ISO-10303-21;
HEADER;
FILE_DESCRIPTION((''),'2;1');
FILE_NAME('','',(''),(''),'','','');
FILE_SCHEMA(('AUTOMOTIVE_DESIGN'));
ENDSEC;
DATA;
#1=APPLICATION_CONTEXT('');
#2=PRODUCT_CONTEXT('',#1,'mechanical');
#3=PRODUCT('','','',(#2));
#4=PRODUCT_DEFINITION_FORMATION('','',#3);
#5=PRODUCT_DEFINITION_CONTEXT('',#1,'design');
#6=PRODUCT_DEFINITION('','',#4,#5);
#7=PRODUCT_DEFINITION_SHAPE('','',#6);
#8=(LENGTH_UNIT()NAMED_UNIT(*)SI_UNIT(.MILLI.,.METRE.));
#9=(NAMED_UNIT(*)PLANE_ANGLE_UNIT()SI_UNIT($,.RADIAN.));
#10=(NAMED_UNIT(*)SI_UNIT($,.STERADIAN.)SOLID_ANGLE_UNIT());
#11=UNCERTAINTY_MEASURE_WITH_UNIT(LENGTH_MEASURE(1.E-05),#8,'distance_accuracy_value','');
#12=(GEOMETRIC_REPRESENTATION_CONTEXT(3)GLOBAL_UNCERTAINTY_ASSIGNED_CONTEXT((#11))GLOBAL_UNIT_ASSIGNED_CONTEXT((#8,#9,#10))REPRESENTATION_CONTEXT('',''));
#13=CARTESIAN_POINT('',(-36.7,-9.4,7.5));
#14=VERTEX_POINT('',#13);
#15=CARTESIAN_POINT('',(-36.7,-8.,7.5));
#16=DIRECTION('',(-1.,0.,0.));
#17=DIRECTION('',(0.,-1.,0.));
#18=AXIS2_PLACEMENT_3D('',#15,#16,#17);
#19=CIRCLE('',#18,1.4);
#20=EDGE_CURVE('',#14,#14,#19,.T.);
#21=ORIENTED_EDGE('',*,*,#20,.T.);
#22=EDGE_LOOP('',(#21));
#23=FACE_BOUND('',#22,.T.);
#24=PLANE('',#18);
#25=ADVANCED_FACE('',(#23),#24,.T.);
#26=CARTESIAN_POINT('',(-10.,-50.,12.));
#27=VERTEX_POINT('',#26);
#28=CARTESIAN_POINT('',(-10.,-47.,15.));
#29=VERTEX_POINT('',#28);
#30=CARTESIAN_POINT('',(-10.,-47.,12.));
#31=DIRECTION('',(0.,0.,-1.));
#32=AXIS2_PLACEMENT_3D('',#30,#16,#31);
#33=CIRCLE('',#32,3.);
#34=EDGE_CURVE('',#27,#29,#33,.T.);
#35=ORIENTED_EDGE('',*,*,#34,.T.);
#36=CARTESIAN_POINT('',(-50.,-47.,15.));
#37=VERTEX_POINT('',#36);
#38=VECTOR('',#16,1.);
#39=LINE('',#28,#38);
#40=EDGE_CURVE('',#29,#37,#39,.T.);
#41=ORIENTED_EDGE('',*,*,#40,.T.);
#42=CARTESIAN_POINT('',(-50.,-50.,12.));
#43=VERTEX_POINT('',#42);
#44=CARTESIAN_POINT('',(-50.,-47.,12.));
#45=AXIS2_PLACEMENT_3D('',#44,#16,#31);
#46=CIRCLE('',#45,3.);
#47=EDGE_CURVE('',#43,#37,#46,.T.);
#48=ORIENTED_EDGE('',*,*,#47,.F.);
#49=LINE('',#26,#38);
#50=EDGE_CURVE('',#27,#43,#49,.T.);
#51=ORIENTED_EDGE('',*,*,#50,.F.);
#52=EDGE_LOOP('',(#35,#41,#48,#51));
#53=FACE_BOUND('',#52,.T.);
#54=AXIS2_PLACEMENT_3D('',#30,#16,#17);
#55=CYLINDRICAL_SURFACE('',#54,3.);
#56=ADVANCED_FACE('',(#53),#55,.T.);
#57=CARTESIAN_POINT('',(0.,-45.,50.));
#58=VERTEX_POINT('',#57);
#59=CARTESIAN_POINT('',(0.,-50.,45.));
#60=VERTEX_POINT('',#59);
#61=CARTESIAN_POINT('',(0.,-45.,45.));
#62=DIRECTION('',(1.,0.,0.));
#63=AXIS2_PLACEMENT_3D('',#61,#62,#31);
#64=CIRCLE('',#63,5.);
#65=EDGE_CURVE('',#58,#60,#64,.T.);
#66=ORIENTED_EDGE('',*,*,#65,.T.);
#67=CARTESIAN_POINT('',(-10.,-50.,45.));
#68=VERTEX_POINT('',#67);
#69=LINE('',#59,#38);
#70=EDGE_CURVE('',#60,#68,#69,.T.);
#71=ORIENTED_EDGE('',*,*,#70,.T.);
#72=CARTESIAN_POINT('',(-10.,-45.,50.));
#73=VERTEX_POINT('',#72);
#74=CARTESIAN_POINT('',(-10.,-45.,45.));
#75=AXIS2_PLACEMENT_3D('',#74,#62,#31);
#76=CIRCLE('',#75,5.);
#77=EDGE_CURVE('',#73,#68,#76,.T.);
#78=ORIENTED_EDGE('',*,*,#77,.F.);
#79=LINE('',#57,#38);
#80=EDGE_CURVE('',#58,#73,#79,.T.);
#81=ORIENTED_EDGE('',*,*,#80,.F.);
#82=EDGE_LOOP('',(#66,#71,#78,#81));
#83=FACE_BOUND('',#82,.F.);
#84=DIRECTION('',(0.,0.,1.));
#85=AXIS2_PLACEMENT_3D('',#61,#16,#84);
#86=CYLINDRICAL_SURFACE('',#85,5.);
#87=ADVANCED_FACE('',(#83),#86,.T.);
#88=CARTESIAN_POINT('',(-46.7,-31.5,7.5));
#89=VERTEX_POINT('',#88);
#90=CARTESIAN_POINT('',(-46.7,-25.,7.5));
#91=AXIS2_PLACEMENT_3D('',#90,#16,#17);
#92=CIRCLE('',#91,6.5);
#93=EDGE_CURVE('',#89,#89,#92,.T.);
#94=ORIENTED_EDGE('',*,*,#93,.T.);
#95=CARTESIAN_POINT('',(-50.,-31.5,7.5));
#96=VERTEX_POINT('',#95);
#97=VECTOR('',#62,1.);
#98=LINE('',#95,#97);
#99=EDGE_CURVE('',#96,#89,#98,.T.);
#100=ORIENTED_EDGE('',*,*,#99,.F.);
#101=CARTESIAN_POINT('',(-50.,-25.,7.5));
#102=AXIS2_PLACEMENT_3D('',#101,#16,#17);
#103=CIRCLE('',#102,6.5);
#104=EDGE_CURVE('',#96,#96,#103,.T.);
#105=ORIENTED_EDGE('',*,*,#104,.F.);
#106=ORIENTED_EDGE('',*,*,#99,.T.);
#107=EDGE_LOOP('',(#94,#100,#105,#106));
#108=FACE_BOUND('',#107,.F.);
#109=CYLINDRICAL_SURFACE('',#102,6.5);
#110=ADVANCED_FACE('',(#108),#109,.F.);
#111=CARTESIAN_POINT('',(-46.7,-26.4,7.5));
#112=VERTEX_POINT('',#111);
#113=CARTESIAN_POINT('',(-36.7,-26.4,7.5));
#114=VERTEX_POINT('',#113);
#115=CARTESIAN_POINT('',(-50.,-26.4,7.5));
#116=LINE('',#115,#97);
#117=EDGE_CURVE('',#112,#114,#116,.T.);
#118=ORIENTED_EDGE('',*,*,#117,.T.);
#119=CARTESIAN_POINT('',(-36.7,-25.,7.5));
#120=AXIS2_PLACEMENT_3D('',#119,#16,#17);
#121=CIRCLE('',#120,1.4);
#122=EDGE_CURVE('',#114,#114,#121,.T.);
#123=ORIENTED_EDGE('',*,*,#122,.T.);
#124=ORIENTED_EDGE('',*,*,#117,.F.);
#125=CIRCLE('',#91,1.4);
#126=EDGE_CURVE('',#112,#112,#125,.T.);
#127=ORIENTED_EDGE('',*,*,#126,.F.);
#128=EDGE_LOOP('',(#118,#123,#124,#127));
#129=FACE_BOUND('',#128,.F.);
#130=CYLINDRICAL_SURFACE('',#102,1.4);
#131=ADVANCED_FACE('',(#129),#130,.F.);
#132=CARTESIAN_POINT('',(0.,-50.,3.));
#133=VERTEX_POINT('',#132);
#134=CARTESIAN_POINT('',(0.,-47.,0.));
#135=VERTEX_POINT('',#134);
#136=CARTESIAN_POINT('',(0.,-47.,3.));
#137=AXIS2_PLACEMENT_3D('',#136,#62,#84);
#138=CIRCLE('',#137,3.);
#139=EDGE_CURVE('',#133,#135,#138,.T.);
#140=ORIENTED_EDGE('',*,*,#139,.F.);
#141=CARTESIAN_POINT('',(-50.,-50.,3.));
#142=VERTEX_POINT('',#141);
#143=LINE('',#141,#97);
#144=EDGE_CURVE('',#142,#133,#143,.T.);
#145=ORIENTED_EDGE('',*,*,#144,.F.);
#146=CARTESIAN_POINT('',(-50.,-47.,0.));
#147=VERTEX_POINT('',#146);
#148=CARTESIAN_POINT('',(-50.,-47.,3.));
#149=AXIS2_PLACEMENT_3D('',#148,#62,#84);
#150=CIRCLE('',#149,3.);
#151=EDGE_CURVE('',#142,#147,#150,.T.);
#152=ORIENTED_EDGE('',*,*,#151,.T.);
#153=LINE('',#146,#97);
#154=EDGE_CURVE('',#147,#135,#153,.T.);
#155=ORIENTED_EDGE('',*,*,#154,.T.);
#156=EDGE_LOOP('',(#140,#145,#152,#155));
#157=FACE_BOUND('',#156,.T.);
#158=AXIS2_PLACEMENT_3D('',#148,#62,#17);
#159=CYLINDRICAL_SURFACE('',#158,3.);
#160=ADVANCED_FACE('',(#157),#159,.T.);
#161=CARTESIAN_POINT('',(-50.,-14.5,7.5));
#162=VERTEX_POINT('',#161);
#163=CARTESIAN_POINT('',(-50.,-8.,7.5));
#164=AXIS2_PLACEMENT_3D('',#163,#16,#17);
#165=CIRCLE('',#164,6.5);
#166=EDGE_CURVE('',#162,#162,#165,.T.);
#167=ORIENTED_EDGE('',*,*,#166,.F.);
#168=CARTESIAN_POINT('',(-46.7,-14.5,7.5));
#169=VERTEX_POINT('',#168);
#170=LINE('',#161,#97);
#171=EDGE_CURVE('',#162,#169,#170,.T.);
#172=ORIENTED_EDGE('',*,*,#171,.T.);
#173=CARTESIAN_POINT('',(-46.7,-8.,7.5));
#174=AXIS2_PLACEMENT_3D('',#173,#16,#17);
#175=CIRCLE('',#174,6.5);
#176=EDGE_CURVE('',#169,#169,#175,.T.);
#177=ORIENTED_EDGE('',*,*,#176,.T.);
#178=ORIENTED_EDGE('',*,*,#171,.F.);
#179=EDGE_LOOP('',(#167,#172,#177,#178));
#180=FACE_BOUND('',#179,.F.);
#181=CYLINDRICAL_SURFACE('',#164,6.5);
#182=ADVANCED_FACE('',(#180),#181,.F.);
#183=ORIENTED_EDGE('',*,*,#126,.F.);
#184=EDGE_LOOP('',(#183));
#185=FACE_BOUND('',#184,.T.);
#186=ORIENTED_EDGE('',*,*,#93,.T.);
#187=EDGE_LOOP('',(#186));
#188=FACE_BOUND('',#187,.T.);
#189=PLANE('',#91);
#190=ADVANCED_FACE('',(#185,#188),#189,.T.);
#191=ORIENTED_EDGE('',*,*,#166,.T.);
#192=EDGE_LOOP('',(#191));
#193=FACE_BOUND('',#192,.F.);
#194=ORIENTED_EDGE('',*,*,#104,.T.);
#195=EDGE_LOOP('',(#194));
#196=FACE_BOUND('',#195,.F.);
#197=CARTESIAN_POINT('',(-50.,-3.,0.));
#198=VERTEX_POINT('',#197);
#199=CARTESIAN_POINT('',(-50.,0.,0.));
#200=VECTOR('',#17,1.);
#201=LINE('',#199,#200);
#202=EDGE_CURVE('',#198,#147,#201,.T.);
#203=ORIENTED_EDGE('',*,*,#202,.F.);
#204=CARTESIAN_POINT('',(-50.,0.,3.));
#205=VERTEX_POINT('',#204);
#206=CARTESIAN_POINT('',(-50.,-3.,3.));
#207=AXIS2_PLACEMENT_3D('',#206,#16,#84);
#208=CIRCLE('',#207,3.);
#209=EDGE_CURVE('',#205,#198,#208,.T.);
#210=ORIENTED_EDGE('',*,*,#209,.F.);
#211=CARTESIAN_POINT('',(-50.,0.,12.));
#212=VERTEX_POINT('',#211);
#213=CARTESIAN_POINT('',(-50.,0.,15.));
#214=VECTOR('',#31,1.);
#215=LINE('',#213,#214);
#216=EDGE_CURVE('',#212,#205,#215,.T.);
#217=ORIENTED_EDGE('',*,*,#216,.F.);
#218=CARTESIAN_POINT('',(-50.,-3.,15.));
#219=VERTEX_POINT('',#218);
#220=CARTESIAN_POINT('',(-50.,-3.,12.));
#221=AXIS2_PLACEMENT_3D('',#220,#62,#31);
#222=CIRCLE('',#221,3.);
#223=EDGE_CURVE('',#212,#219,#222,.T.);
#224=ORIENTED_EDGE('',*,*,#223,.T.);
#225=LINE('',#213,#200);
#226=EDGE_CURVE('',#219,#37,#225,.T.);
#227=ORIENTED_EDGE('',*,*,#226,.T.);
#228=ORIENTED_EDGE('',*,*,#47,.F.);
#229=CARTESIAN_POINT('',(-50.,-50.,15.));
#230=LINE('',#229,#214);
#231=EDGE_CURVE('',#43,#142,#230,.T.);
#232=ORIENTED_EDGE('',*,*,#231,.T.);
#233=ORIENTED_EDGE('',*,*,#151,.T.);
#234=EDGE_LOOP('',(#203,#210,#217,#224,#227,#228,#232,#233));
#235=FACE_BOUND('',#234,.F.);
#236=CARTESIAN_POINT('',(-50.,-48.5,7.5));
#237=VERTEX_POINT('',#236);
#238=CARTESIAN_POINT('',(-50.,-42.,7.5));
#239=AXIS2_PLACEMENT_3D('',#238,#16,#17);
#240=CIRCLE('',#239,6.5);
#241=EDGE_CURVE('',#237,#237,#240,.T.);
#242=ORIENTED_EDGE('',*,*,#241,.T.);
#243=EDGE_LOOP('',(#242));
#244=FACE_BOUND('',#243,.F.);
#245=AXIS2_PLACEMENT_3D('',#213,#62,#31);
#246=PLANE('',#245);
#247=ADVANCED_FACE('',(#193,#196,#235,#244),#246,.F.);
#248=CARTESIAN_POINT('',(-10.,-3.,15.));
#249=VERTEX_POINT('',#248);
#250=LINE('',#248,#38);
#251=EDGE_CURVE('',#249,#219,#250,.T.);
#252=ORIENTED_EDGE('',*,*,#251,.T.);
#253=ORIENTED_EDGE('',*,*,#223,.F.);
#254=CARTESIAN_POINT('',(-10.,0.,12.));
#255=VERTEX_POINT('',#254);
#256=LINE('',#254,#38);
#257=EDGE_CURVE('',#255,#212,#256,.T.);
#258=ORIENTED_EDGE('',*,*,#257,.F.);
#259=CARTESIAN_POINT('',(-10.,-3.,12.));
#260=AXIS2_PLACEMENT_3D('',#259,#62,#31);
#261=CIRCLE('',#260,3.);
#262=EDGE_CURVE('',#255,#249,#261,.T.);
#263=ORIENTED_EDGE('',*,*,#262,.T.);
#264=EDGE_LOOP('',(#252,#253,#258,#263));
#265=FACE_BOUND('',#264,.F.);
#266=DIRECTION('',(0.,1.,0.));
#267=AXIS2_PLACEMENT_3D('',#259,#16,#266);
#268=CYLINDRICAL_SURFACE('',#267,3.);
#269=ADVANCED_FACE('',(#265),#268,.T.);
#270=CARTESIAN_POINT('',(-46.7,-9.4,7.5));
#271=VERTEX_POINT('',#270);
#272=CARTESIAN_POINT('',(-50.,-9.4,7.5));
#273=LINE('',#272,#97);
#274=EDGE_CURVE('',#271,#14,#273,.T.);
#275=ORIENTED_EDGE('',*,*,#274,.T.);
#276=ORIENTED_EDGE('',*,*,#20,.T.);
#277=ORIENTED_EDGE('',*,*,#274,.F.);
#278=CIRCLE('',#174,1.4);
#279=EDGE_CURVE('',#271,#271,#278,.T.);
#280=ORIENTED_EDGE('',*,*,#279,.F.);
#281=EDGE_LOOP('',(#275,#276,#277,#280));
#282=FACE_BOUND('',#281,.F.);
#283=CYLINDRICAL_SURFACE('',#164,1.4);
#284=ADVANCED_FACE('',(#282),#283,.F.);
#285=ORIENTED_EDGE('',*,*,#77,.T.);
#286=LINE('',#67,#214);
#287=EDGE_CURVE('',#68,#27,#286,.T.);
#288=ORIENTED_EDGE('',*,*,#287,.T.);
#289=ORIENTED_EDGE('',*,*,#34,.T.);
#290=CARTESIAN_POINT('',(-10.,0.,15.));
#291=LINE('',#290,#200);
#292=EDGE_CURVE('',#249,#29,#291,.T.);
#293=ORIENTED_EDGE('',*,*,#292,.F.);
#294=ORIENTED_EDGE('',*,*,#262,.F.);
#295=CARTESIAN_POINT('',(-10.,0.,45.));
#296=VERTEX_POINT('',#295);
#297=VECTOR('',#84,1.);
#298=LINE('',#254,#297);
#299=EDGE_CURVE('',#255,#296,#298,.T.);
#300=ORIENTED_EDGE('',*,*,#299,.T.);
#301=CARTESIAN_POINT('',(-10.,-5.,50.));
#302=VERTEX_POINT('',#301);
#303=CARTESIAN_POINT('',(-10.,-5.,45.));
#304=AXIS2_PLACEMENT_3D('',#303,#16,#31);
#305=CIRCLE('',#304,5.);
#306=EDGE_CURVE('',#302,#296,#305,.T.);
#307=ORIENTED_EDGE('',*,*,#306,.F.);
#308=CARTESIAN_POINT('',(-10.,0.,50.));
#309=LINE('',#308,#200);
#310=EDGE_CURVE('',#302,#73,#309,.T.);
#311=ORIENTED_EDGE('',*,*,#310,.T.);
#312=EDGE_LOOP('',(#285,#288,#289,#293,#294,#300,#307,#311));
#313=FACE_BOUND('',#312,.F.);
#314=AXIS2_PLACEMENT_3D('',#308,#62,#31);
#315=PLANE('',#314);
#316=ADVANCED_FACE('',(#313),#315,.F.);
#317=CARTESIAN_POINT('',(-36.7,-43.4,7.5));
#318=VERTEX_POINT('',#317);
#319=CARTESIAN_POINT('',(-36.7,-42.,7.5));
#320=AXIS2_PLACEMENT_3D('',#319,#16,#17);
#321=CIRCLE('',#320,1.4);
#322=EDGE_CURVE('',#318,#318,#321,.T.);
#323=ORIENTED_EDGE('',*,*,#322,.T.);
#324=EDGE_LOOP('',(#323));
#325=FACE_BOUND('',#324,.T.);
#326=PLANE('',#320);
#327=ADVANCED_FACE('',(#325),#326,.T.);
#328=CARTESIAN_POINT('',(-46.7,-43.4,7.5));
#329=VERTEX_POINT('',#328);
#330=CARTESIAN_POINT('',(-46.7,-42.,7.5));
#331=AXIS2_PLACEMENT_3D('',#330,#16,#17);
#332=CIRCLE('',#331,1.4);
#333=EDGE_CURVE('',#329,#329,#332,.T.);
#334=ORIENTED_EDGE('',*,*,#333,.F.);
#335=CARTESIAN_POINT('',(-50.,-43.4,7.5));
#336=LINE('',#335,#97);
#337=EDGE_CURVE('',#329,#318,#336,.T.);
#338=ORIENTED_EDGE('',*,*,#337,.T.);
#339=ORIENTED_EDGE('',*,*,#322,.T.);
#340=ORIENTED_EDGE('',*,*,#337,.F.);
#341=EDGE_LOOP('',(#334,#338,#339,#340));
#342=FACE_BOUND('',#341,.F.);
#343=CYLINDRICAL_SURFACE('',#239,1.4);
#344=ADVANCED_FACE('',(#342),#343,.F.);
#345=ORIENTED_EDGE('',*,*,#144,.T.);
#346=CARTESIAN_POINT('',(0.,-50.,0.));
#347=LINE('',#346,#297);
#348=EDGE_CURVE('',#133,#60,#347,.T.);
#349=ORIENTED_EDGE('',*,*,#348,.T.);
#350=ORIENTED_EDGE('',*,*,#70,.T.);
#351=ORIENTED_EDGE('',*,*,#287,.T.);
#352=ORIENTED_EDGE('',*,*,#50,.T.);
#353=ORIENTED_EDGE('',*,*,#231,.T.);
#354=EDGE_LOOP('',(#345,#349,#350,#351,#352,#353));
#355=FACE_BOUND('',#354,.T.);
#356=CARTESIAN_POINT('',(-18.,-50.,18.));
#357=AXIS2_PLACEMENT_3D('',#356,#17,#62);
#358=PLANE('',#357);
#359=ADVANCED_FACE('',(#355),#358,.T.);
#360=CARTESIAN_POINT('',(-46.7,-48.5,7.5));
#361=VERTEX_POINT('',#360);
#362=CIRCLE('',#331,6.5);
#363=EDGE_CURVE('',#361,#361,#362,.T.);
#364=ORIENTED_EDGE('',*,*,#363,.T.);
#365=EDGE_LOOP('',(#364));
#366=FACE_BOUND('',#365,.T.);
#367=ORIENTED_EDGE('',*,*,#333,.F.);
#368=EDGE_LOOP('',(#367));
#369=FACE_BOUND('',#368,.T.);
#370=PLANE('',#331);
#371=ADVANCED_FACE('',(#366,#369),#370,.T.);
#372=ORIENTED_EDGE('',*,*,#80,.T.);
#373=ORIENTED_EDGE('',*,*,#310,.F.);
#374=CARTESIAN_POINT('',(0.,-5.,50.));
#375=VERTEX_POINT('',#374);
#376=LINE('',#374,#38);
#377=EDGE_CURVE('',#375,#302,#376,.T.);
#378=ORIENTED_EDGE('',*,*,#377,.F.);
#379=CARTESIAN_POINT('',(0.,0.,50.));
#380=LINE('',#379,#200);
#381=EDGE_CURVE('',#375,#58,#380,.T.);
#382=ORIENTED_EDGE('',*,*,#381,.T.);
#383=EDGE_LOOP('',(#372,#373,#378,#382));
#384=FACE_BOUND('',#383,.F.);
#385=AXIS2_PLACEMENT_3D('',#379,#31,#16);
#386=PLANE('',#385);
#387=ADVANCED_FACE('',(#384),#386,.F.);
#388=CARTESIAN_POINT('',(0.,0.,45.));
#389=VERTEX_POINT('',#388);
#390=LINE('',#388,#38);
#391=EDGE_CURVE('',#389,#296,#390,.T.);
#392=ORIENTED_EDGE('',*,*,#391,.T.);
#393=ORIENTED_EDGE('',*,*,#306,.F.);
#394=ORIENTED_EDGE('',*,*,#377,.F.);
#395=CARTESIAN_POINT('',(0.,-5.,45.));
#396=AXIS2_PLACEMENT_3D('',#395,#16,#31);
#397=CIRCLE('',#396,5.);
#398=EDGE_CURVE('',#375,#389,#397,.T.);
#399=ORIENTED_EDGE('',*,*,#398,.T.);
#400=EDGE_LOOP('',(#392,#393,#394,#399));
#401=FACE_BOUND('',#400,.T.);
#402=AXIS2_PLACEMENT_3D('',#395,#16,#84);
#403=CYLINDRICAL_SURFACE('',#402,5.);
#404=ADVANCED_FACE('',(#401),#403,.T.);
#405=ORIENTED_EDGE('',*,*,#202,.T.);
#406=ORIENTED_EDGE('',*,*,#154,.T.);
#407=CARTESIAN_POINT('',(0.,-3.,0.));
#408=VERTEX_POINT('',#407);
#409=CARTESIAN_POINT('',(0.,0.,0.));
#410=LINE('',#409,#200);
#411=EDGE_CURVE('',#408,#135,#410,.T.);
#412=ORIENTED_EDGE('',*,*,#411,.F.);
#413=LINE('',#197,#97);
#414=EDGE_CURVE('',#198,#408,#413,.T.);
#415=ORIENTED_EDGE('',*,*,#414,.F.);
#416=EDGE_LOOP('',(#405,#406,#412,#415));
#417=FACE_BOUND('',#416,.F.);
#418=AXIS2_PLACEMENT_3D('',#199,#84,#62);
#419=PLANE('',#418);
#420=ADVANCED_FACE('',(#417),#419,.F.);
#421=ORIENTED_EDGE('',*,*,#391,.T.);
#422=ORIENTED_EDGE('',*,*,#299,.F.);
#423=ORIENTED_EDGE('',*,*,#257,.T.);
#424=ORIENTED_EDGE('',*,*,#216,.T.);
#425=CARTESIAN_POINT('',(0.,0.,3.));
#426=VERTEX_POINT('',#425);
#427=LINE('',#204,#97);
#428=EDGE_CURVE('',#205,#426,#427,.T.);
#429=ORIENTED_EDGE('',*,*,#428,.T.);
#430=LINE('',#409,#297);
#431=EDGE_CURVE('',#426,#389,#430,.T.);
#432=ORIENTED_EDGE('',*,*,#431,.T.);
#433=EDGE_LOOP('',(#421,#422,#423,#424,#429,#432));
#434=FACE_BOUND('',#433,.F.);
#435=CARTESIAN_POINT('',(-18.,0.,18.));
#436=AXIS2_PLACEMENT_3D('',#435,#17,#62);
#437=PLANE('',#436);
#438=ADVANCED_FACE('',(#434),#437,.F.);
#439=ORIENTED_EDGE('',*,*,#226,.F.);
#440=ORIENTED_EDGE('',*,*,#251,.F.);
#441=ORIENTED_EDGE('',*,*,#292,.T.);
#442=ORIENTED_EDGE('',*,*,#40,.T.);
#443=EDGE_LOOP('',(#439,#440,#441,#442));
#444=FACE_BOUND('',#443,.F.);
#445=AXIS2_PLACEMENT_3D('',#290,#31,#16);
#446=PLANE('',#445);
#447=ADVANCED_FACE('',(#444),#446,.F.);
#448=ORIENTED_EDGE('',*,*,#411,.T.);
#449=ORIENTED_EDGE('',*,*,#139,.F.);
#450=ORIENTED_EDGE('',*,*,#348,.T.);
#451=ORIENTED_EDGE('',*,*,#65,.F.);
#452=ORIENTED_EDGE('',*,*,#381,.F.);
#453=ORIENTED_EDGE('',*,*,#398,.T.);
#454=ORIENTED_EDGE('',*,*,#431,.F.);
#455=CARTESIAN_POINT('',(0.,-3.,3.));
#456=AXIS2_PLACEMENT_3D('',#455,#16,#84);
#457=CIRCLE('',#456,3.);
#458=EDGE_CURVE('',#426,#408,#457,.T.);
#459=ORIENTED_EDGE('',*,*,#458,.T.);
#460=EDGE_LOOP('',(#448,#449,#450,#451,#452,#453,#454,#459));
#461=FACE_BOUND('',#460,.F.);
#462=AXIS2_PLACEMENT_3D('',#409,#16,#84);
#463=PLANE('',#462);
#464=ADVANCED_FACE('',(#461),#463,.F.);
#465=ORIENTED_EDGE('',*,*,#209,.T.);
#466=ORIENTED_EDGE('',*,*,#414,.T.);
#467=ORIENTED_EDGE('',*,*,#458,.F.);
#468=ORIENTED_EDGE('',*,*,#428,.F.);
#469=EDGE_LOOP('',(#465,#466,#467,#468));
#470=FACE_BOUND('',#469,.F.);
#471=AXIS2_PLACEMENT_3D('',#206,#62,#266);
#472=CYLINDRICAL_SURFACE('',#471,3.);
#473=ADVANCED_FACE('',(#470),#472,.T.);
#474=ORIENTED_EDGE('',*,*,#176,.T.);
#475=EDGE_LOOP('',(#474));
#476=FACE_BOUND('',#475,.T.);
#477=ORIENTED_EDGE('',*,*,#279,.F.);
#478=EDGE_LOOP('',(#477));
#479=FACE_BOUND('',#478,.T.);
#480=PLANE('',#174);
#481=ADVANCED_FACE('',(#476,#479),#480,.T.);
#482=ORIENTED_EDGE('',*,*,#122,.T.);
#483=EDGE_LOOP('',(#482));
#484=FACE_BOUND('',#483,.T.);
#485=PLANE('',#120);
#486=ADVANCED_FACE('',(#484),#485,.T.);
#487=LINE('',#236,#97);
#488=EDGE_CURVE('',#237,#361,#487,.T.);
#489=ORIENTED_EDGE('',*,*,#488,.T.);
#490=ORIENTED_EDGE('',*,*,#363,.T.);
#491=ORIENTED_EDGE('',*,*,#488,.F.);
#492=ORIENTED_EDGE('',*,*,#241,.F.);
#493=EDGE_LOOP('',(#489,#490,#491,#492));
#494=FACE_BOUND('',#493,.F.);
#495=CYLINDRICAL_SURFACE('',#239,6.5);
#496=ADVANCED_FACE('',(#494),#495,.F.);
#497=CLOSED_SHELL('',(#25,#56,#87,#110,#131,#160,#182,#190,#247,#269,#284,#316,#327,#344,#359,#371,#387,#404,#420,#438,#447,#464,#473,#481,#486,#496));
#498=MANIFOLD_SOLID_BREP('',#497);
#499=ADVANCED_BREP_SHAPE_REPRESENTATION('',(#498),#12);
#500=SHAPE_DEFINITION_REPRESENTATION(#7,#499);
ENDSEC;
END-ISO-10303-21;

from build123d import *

# Parameters (mm, degrees)
F1_DEPTH = 50
F2_R     = 5
F3_R     = 6.5
F3_R_2   = 1.4
F4_DEPTH = 3.3
F5_DEPTH = 13.3
F6_R     = 3


with BuildPart() as f1:
    # F0 (on Front) → F1 (new body)
    with BuildSketch(Plane.XZ):
        Polygon((-50, 15), (-50, 0), (0, 0), (0, 50), (-10, 50), (-10, 15), align=None)
    extrude(amount=F1_DEPTH)

    # F2
    f2_edges = [f1.edges().sort_by_distance(p)[0] for p in [
        (-5, -50, 50),
        (-5, 0, 50),
    ]]
    fillet(f2_edges, radius=F2_R)

    # F3 (on face) → F4 (cut)
    with BuildSketch(Plane(origin=(-50, 0, 0), x_dir=(0, -1, 0), z_dir=(-1, 0, 0))):
        with Locations((8, 7.5)):
            Circle(F3_R)
        with Locations((8, 7.5)):
            Circle(F3_R_2, mode=Mode.SUBTRACT)
        with Locations((25, 7.5)):
            Circle(F3_R)
        with Locations((25, 7.5)):
            Circle(F3_R_2, mode=Mode.SUBTRACT)
        with Locations((42, 7.5)):
            Circle(F3_R)
        with Locations((42, 7.5)):
            Circle(F3_R_2, mode=Mode.SUBTRACT)
        with Locations((8, 7.5)):
            Circle(F3_R_2)
        with Locations((25, 7.5)):
            Circle(F3_R_2)
        with Locations((42, 7.5)):
            Circle(F3_R_2)
    extrude(amount=-F4_DEPTH, mode=Mode.SUBTRACT)

    # F3 (on face) → F5 (cut)
    with BuildSketch(Plane(origin=(-50, 0, 0), x_dir=(0, -1, 0), z_dir=(-1, 0, 0))):
        with Locations((8, 7.5)):
            Circle(F3_R_2)
        with Locations((25, 7.5)):
            Circle(F3_R_2)
        with Locations((42, 7.5)):
            Circle(F3_R_2)
    extrude(amount=-F5_DEPTH, mode=Mode.SUBTRACT)

    # F6
    f6_edges = [f1.edges().sort_by_distance(p)[0] for p in [
        (-25, -50, 0),
        (-25, 0, 0),
        (-30, 0, 15),
        (-30, -50, 15),
    ]]
    fillet(f6_edges, radius=F6_R)


solid = f1.part
